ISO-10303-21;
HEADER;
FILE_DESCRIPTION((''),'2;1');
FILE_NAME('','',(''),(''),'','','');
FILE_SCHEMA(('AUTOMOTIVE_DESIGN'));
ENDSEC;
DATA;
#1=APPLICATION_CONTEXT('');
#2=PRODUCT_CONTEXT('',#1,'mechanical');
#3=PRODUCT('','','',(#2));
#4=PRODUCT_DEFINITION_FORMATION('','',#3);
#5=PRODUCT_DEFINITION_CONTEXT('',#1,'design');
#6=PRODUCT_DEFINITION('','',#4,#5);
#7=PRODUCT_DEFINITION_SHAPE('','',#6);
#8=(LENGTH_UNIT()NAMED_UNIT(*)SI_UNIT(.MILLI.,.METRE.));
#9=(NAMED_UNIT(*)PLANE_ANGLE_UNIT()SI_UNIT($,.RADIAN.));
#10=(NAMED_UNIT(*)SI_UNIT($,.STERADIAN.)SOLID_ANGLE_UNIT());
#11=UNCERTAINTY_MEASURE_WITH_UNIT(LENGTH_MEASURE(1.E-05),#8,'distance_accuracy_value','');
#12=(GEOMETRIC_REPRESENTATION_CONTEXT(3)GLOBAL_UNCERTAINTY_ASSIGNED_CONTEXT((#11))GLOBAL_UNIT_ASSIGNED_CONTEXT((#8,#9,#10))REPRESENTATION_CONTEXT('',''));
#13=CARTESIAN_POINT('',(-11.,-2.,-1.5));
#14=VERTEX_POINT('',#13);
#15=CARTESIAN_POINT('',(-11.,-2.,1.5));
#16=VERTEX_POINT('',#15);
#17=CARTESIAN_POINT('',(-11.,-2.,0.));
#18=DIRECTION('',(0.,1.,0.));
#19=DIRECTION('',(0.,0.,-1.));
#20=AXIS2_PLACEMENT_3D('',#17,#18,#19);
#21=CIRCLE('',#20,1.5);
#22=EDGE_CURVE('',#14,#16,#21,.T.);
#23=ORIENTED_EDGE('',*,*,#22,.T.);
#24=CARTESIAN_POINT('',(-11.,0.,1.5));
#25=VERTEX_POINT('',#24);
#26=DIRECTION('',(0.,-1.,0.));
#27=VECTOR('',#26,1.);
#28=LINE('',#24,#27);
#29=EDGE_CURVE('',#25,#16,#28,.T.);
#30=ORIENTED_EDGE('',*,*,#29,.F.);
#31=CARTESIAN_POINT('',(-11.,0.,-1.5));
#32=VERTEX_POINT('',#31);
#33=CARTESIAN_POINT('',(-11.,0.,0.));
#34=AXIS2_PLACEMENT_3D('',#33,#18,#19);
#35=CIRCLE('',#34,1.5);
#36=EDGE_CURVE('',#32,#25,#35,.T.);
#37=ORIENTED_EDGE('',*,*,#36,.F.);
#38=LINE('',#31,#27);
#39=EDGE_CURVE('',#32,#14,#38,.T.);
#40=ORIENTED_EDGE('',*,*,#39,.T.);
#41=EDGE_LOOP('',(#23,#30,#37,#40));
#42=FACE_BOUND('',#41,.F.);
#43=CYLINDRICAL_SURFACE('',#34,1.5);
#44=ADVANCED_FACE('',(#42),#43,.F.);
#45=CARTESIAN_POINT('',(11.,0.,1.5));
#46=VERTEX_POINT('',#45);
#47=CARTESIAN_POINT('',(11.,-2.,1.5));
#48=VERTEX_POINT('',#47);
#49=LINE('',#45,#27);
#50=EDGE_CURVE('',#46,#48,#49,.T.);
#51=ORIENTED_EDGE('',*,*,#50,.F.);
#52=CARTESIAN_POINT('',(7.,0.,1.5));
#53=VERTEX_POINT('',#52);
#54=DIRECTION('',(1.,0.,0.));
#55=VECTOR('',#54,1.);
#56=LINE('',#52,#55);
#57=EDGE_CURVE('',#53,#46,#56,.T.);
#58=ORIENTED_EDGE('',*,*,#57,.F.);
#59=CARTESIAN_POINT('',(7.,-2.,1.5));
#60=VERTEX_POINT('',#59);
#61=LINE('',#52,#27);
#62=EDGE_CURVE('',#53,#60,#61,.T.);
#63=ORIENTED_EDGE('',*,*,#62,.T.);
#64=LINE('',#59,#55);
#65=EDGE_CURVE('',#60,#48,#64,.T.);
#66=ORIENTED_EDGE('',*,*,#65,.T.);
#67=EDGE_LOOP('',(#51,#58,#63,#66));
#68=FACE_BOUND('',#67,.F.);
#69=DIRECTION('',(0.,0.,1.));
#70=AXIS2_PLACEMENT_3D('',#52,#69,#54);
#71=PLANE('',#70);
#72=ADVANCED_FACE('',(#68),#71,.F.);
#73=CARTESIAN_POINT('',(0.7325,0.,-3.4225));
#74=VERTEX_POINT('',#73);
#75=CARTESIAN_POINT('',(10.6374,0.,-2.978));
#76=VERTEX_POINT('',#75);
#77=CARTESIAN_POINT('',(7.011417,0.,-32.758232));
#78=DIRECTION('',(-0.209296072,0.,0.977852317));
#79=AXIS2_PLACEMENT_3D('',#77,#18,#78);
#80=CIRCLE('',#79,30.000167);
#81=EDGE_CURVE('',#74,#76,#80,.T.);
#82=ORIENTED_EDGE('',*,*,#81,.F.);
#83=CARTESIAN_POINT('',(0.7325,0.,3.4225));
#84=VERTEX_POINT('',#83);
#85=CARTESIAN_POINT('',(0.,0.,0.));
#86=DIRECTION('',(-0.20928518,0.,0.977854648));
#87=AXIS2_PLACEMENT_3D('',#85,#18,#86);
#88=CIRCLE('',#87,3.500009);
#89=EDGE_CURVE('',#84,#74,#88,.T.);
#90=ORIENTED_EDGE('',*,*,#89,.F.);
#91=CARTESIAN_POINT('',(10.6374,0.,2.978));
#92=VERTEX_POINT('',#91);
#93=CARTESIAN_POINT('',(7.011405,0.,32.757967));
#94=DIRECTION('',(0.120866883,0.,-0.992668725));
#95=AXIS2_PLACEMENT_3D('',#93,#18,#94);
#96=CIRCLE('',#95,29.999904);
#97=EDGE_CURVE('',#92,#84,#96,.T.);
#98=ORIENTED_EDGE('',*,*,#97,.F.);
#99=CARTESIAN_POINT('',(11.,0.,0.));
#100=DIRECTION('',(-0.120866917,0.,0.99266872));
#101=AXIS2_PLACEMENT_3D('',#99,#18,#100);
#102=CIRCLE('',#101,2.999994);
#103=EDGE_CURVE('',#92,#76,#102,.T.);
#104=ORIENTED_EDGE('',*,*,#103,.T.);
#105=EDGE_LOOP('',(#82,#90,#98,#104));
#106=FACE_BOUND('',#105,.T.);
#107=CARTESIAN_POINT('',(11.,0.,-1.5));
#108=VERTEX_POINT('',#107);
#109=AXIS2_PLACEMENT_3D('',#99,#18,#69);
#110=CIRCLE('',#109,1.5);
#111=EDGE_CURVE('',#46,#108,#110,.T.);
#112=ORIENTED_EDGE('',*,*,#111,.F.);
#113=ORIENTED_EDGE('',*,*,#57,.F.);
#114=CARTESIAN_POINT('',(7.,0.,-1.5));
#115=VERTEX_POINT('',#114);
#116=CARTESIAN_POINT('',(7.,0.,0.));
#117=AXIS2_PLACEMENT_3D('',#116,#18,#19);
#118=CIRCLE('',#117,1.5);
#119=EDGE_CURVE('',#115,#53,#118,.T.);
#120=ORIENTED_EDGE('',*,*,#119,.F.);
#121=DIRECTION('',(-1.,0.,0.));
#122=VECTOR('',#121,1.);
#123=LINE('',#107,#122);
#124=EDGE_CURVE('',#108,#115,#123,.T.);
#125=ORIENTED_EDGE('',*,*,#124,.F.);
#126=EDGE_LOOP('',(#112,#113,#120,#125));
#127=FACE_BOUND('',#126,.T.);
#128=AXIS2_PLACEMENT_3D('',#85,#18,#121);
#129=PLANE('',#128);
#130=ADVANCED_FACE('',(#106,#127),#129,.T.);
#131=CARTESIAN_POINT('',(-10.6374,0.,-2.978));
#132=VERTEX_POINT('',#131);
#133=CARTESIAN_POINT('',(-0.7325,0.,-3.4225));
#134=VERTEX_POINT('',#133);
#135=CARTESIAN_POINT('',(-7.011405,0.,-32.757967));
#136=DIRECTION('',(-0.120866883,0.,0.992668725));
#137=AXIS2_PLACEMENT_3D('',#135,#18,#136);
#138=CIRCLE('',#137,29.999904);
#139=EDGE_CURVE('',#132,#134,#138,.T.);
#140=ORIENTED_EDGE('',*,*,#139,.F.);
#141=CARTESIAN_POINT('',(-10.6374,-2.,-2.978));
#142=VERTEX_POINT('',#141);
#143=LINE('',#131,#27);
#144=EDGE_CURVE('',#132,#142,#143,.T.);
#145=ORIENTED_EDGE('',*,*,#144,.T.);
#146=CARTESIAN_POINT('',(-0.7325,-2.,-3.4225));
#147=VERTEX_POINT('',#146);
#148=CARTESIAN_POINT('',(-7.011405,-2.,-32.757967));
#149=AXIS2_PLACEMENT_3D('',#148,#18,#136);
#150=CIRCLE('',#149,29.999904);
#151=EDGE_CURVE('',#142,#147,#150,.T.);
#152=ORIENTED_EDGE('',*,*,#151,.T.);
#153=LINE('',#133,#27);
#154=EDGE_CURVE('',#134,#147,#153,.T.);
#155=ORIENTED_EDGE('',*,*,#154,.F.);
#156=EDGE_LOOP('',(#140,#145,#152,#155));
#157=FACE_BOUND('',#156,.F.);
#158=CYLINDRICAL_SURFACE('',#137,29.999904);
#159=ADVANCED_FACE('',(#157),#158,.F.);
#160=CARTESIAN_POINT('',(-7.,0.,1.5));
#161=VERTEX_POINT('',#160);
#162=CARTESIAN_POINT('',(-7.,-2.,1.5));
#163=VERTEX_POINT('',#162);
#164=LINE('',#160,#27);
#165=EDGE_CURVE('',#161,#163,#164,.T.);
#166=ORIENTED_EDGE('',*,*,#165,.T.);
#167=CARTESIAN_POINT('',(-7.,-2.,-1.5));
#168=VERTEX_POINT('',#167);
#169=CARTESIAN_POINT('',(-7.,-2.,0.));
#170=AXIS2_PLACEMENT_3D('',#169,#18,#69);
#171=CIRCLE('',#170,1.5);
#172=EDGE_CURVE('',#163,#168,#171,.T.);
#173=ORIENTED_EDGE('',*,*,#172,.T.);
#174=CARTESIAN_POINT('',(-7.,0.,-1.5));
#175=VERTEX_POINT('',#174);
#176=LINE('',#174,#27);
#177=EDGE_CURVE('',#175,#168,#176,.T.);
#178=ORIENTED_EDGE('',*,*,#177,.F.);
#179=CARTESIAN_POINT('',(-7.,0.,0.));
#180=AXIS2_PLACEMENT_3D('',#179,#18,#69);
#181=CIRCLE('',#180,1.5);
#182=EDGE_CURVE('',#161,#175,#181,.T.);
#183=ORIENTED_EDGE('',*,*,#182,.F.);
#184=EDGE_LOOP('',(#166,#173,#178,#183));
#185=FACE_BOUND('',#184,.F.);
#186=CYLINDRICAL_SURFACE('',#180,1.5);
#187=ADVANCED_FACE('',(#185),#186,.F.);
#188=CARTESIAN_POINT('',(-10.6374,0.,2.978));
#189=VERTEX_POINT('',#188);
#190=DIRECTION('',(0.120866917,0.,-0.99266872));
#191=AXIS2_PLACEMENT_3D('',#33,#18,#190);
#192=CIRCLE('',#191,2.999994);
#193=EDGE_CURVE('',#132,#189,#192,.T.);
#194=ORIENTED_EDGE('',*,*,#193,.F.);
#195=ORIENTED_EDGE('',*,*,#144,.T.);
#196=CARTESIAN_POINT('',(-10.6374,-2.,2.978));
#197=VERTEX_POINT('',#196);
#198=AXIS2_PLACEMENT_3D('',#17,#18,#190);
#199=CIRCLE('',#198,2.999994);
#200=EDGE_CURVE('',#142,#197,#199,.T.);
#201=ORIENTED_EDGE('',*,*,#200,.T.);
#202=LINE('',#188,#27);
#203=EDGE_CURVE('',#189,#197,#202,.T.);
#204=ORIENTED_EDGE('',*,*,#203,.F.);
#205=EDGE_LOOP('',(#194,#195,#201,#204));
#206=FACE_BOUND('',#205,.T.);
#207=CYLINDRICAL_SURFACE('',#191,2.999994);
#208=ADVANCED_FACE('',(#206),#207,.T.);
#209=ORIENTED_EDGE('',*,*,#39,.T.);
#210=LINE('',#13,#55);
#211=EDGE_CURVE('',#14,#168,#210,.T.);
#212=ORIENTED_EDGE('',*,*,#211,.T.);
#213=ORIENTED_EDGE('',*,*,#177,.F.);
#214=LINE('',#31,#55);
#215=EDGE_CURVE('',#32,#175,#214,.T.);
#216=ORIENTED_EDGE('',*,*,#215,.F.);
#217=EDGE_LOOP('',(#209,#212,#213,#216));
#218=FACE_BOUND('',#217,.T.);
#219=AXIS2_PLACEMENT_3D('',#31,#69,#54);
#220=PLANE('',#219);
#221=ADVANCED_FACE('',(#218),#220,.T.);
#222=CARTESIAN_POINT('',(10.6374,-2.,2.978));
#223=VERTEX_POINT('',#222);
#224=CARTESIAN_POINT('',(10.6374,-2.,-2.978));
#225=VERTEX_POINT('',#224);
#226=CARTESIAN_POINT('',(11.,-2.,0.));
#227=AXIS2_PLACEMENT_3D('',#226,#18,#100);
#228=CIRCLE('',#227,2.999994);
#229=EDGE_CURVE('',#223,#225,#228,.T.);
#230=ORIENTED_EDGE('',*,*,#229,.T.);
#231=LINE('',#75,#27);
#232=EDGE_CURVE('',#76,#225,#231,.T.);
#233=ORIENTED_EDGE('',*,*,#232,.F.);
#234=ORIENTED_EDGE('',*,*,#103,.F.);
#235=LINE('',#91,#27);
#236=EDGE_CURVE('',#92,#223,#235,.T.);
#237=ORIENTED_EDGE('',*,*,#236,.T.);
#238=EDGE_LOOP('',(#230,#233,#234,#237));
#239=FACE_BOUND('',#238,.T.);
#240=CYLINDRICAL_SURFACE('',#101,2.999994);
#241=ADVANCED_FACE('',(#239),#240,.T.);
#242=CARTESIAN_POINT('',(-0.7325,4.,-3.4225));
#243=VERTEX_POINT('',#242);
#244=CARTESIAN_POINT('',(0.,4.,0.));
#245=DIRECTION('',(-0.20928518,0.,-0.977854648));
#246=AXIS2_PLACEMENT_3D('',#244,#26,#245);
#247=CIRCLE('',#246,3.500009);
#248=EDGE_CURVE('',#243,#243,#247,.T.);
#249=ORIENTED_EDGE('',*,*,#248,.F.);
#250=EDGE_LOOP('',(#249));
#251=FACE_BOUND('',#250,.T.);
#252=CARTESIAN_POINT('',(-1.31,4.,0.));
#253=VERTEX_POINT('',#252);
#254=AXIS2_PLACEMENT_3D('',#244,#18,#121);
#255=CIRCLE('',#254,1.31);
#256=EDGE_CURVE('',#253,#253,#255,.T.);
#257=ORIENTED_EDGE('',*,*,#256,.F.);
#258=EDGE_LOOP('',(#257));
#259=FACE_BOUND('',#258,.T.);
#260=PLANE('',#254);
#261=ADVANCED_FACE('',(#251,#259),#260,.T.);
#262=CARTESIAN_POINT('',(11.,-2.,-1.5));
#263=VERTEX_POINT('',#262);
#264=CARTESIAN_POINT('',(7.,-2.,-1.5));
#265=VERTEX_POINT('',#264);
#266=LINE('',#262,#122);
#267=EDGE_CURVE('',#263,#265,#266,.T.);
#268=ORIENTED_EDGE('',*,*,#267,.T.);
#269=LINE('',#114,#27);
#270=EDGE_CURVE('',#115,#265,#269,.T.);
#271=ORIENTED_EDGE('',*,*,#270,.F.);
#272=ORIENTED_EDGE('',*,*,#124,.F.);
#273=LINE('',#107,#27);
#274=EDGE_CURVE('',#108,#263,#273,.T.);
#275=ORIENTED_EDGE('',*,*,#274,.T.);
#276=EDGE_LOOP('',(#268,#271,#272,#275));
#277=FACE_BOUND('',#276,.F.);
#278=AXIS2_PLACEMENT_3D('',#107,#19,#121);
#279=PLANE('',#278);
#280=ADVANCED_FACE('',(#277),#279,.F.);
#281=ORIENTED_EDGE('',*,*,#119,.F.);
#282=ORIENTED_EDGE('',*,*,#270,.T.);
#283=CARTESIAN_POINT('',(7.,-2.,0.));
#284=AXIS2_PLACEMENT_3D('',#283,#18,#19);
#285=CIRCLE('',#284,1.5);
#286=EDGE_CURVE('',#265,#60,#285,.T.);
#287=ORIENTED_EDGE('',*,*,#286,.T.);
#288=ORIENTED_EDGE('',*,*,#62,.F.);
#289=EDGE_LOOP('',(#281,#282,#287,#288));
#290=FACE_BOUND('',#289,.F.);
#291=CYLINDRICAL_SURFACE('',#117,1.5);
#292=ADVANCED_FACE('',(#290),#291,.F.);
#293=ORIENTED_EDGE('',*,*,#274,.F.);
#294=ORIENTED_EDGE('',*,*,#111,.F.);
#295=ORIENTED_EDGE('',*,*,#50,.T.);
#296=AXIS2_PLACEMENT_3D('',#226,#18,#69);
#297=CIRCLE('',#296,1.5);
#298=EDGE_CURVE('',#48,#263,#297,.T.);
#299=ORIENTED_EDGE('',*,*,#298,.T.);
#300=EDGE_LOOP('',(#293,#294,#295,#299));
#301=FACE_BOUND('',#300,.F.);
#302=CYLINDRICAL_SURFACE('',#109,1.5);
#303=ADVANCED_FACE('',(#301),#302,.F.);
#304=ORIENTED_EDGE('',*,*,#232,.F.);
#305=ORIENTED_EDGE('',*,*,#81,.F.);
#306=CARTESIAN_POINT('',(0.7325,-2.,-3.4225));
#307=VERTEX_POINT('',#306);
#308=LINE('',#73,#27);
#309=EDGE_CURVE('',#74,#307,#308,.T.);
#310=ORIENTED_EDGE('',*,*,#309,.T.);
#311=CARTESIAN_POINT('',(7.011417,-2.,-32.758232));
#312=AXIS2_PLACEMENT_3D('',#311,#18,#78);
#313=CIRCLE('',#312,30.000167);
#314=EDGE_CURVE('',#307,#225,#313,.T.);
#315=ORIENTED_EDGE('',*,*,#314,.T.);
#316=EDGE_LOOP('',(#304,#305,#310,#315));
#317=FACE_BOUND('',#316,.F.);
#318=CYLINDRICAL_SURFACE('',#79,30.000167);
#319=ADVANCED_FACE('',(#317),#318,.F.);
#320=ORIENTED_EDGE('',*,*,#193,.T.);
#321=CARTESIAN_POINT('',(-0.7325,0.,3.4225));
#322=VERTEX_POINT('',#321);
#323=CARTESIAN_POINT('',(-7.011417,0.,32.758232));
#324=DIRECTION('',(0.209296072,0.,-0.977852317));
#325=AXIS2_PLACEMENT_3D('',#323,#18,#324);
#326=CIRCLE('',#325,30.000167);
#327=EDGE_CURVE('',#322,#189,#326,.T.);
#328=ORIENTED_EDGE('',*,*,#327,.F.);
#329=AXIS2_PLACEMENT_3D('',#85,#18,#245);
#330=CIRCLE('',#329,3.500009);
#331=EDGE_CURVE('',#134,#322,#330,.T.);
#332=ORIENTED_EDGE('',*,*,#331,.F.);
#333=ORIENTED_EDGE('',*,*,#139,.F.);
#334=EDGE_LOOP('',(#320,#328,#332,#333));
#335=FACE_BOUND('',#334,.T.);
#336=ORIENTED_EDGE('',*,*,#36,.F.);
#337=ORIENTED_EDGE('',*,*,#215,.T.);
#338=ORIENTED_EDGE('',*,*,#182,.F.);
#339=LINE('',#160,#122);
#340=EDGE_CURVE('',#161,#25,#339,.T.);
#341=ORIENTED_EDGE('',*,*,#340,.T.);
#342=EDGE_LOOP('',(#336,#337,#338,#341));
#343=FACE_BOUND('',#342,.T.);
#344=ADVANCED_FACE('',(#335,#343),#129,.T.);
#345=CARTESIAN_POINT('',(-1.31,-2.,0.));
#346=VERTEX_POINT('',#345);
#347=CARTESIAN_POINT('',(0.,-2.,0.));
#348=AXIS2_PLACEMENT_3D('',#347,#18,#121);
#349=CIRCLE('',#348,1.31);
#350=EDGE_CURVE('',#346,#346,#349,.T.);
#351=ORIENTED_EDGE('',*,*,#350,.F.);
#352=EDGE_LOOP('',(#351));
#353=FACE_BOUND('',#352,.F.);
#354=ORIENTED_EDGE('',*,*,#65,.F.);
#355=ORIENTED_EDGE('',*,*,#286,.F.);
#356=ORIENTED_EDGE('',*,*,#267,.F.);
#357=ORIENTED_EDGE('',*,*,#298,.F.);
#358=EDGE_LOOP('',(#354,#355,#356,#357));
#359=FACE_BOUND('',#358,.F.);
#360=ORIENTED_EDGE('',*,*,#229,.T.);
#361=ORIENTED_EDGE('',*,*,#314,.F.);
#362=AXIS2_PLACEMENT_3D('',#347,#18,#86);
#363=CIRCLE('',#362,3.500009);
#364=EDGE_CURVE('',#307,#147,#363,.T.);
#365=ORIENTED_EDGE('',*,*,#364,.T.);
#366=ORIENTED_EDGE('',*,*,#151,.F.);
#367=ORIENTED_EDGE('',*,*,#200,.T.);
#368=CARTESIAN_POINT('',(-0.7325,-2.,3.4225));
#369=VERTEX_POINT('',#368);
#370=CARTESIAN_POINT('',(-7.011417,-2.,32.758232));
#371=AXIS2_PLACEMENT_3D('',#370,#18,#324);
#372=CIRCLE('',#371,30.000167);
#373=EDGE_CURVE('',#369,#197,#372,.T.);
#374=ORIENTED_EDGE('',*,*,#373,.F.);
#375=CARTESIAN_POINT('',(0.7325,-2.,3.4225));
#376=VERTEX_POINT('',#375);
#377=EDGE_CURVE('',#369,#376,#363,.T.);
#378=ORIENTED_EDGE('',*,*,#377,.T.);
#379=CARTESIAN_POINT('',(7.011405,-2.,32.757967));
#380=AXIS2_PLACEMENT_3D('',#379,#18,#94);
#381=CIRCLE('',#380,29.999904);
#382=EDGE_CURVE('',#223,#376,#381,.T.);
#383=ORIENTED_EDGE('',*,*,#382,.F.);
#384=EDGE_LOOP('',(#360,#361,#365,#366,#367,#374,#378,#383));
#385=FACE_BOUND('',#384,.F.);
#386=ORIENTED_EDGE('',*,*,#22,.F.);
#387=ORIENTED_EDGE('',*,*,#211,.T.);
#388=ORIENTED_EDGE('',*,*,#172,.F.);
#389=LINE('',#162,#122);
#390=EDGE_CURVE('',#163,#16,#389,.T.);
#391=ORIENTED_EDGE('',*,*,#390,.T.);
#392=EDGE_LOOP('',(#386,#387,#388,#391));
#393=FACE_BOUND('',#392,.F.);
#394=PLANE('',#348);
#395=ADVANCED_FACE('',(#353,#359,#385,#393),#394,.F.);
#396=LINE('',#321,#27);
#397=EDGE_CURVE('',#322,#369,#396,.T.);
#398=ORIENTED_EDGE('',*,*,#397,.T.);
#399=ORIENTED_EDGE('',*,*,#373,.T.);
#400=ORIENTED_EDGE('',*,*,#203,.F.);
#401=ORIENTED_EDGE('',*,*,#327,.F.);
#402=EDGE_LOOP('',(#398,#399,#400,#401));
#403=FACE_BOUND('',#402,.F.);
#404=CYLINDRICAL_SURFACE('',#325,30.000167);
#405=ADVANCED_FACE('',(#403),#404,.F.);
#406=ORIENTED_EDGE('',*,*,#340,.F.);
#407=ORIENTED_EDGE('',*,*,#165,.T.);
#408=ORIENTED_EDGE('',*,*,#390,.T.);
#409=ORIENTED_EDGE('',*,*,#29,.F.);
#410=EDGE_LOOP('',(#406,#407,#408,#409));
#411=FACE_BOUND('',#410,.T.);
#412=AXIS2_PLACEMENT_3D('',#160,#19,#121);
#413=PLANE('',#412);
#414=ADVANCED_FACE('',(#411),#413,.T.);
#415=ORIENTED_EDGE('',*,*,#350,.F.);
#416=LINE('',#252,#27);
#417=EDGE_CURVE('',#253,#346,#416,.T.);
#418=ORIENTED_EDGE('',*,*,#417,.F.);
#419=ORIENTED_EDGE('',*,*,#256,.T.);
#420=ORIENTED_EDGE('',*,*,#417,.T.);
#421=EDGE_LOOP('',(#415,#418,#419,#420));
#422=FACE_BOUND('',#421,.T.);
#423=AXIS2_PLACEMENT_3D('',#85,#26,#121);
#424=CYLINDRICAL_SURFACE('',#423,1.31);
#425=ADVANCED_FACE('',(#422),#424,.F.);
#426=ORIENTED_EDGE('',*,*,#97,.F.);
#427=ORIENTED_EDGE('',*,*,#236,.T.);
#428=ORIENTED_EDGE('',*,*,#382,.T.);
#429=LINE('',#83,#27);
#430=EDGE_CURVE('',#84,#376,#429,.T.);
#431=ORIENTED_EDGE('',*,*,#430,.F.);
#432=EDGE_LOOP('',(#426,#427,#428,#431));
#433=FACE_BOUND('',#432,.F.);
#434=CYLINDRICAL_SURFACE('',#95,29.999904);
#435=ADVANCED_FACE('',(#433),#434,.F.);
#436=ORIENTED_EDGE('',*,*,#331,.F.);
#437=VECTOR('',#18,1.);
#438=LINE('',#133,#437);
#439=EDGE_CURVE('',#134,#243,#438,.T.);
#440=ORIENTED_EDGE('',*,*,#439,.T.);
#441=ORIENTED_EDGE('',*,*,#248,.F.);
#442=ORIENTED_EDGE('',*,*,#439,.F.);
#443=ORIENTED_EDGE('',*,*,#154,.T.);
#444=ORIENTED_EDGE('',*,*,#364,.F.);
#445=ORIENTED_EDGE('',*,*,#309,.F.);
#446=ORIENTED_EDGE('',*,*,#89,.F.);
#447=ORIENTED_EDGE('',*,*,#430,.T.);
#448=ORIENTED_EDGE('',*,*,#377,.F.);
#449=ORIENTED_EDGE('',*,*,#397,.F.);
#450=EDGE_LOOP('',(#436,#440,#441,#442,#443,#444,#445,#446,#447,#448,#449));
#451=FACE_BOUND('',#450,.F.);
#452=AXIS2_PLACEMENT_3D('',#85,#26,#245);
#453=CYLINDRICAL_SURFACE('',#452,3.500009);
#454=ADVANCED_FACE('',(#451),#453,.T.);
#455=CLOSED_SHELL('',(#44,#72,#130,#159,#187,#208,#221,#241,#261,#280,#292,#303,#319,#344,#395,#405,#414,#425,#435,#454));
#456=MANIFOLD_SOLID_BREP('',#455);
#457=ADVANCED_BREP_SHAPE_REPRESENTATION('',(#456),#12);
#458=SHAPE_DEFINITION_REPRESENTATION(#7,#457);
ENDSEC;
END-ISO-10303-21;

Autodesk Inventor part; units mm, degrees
ref_plane "Work Plane1" through (0, 0, 3.5) normal (0, 0, 1) x (1, 0, 0)
ref_plane "YZ Plane" through (0, 0, 0) normal (1, 0, 0) x (0, 1, 0)
ref_plane "XZ Plane" through (0, 0, 0) normal (0, 1, 0) x (-1, 0, 0)
sketch "Sketch1" plane through (0, 0, 0) normal (0, 1, 0) x (-1, 0, 0)
  circle A0 centre (0, 0) radius 1.31
  arc A1 (0.7325, 3.4225) -> (0.7325, -3.4225) centre (0, 0) ccw
  arc A2 (-10.6374, 2.978) -> (-10.6374, -2.978) centre (-11, 0) ccw
  arc A3 (-0.7325, -3.4225) -> (-10.6374, -2.978) centre (-7.0114, -32.7581) ccw
  arc A4 (-10.6374, 2.978) -> (-0.7325, 3.4225) centre (-7.0114, 32.7581) ccw
  line L0 (0, 0) -> (0, -3.5) construction
  arc A5 (10.6374, -2.978) -> (10.6374, 2.978) centre (11, 0) ccw
  arc A6 (10.6374, -2.978) -> (0.7325, -3.4225) centre (7.0114, -32.7581) ccw
  arc A7 (0.7325, 3.4225) -> (10.6374, 2.978) centre (7.0114, 32.7581) ccw
  arc A8 (0.7325, -3.4225) -> (0.7325, 3.4225) centre (0, 0) ccw
  line L1 (-7, 0) -> (-11, 0) construction
  line L2 (-7, 1.5) -> (-11, 1.5)
  line L3 (-11, -1.5) -> (-7, -1.5)
  arc A9 (-7, -1.5) -> (-7, 1.5) centre (-7, 0) ccw
  arc A10 (-11, 1.5) -> (-11, -1.5) centre (-11, 0) ccw
  line L4 (0, 0) -> (0, 10.6899) construction
  line L5 (7, 1.5) -> (11, 1.5)
  line L6 (11, -1.5) -> (7, -1.5)
  arc A11 (7, 1.5) -> (7, -1.5) centre (7, 0) ccw
  arc A12 (11, -1.5) -> (11, 1.5) centre (11, 0) ccw
  point P0 (-9, 0)
  dimension "d0" = 2.62
  dimension "d1" = 7
  dimension "d6" = 3
  dimension "d14" = 30
  dimension "d15" = 3
  dimension "d16" = 4
  dimension "d17" = 7
extrude "Extrusion1" add sketch "Sketch1" against normal blind 2
extrude "Extrusion2" add sketch "Sketch1" along normal blind 4 contours A8 A1
sketch "Sketch2" plane through (0, 0, 0) normal (0, 0, 1) x (1, 0, 0)
  circle A0 centre (0, 2) radius 1.5
  line L0 (3.5, 4) -> (3.5, 0) projected
  point P0 (0, 0)
  point P1 (3.5, 2)
  dimension "d11" = 3
properties part number "EncoderWheelAdapterDefaultSlotted" material "ABS Plastic"
